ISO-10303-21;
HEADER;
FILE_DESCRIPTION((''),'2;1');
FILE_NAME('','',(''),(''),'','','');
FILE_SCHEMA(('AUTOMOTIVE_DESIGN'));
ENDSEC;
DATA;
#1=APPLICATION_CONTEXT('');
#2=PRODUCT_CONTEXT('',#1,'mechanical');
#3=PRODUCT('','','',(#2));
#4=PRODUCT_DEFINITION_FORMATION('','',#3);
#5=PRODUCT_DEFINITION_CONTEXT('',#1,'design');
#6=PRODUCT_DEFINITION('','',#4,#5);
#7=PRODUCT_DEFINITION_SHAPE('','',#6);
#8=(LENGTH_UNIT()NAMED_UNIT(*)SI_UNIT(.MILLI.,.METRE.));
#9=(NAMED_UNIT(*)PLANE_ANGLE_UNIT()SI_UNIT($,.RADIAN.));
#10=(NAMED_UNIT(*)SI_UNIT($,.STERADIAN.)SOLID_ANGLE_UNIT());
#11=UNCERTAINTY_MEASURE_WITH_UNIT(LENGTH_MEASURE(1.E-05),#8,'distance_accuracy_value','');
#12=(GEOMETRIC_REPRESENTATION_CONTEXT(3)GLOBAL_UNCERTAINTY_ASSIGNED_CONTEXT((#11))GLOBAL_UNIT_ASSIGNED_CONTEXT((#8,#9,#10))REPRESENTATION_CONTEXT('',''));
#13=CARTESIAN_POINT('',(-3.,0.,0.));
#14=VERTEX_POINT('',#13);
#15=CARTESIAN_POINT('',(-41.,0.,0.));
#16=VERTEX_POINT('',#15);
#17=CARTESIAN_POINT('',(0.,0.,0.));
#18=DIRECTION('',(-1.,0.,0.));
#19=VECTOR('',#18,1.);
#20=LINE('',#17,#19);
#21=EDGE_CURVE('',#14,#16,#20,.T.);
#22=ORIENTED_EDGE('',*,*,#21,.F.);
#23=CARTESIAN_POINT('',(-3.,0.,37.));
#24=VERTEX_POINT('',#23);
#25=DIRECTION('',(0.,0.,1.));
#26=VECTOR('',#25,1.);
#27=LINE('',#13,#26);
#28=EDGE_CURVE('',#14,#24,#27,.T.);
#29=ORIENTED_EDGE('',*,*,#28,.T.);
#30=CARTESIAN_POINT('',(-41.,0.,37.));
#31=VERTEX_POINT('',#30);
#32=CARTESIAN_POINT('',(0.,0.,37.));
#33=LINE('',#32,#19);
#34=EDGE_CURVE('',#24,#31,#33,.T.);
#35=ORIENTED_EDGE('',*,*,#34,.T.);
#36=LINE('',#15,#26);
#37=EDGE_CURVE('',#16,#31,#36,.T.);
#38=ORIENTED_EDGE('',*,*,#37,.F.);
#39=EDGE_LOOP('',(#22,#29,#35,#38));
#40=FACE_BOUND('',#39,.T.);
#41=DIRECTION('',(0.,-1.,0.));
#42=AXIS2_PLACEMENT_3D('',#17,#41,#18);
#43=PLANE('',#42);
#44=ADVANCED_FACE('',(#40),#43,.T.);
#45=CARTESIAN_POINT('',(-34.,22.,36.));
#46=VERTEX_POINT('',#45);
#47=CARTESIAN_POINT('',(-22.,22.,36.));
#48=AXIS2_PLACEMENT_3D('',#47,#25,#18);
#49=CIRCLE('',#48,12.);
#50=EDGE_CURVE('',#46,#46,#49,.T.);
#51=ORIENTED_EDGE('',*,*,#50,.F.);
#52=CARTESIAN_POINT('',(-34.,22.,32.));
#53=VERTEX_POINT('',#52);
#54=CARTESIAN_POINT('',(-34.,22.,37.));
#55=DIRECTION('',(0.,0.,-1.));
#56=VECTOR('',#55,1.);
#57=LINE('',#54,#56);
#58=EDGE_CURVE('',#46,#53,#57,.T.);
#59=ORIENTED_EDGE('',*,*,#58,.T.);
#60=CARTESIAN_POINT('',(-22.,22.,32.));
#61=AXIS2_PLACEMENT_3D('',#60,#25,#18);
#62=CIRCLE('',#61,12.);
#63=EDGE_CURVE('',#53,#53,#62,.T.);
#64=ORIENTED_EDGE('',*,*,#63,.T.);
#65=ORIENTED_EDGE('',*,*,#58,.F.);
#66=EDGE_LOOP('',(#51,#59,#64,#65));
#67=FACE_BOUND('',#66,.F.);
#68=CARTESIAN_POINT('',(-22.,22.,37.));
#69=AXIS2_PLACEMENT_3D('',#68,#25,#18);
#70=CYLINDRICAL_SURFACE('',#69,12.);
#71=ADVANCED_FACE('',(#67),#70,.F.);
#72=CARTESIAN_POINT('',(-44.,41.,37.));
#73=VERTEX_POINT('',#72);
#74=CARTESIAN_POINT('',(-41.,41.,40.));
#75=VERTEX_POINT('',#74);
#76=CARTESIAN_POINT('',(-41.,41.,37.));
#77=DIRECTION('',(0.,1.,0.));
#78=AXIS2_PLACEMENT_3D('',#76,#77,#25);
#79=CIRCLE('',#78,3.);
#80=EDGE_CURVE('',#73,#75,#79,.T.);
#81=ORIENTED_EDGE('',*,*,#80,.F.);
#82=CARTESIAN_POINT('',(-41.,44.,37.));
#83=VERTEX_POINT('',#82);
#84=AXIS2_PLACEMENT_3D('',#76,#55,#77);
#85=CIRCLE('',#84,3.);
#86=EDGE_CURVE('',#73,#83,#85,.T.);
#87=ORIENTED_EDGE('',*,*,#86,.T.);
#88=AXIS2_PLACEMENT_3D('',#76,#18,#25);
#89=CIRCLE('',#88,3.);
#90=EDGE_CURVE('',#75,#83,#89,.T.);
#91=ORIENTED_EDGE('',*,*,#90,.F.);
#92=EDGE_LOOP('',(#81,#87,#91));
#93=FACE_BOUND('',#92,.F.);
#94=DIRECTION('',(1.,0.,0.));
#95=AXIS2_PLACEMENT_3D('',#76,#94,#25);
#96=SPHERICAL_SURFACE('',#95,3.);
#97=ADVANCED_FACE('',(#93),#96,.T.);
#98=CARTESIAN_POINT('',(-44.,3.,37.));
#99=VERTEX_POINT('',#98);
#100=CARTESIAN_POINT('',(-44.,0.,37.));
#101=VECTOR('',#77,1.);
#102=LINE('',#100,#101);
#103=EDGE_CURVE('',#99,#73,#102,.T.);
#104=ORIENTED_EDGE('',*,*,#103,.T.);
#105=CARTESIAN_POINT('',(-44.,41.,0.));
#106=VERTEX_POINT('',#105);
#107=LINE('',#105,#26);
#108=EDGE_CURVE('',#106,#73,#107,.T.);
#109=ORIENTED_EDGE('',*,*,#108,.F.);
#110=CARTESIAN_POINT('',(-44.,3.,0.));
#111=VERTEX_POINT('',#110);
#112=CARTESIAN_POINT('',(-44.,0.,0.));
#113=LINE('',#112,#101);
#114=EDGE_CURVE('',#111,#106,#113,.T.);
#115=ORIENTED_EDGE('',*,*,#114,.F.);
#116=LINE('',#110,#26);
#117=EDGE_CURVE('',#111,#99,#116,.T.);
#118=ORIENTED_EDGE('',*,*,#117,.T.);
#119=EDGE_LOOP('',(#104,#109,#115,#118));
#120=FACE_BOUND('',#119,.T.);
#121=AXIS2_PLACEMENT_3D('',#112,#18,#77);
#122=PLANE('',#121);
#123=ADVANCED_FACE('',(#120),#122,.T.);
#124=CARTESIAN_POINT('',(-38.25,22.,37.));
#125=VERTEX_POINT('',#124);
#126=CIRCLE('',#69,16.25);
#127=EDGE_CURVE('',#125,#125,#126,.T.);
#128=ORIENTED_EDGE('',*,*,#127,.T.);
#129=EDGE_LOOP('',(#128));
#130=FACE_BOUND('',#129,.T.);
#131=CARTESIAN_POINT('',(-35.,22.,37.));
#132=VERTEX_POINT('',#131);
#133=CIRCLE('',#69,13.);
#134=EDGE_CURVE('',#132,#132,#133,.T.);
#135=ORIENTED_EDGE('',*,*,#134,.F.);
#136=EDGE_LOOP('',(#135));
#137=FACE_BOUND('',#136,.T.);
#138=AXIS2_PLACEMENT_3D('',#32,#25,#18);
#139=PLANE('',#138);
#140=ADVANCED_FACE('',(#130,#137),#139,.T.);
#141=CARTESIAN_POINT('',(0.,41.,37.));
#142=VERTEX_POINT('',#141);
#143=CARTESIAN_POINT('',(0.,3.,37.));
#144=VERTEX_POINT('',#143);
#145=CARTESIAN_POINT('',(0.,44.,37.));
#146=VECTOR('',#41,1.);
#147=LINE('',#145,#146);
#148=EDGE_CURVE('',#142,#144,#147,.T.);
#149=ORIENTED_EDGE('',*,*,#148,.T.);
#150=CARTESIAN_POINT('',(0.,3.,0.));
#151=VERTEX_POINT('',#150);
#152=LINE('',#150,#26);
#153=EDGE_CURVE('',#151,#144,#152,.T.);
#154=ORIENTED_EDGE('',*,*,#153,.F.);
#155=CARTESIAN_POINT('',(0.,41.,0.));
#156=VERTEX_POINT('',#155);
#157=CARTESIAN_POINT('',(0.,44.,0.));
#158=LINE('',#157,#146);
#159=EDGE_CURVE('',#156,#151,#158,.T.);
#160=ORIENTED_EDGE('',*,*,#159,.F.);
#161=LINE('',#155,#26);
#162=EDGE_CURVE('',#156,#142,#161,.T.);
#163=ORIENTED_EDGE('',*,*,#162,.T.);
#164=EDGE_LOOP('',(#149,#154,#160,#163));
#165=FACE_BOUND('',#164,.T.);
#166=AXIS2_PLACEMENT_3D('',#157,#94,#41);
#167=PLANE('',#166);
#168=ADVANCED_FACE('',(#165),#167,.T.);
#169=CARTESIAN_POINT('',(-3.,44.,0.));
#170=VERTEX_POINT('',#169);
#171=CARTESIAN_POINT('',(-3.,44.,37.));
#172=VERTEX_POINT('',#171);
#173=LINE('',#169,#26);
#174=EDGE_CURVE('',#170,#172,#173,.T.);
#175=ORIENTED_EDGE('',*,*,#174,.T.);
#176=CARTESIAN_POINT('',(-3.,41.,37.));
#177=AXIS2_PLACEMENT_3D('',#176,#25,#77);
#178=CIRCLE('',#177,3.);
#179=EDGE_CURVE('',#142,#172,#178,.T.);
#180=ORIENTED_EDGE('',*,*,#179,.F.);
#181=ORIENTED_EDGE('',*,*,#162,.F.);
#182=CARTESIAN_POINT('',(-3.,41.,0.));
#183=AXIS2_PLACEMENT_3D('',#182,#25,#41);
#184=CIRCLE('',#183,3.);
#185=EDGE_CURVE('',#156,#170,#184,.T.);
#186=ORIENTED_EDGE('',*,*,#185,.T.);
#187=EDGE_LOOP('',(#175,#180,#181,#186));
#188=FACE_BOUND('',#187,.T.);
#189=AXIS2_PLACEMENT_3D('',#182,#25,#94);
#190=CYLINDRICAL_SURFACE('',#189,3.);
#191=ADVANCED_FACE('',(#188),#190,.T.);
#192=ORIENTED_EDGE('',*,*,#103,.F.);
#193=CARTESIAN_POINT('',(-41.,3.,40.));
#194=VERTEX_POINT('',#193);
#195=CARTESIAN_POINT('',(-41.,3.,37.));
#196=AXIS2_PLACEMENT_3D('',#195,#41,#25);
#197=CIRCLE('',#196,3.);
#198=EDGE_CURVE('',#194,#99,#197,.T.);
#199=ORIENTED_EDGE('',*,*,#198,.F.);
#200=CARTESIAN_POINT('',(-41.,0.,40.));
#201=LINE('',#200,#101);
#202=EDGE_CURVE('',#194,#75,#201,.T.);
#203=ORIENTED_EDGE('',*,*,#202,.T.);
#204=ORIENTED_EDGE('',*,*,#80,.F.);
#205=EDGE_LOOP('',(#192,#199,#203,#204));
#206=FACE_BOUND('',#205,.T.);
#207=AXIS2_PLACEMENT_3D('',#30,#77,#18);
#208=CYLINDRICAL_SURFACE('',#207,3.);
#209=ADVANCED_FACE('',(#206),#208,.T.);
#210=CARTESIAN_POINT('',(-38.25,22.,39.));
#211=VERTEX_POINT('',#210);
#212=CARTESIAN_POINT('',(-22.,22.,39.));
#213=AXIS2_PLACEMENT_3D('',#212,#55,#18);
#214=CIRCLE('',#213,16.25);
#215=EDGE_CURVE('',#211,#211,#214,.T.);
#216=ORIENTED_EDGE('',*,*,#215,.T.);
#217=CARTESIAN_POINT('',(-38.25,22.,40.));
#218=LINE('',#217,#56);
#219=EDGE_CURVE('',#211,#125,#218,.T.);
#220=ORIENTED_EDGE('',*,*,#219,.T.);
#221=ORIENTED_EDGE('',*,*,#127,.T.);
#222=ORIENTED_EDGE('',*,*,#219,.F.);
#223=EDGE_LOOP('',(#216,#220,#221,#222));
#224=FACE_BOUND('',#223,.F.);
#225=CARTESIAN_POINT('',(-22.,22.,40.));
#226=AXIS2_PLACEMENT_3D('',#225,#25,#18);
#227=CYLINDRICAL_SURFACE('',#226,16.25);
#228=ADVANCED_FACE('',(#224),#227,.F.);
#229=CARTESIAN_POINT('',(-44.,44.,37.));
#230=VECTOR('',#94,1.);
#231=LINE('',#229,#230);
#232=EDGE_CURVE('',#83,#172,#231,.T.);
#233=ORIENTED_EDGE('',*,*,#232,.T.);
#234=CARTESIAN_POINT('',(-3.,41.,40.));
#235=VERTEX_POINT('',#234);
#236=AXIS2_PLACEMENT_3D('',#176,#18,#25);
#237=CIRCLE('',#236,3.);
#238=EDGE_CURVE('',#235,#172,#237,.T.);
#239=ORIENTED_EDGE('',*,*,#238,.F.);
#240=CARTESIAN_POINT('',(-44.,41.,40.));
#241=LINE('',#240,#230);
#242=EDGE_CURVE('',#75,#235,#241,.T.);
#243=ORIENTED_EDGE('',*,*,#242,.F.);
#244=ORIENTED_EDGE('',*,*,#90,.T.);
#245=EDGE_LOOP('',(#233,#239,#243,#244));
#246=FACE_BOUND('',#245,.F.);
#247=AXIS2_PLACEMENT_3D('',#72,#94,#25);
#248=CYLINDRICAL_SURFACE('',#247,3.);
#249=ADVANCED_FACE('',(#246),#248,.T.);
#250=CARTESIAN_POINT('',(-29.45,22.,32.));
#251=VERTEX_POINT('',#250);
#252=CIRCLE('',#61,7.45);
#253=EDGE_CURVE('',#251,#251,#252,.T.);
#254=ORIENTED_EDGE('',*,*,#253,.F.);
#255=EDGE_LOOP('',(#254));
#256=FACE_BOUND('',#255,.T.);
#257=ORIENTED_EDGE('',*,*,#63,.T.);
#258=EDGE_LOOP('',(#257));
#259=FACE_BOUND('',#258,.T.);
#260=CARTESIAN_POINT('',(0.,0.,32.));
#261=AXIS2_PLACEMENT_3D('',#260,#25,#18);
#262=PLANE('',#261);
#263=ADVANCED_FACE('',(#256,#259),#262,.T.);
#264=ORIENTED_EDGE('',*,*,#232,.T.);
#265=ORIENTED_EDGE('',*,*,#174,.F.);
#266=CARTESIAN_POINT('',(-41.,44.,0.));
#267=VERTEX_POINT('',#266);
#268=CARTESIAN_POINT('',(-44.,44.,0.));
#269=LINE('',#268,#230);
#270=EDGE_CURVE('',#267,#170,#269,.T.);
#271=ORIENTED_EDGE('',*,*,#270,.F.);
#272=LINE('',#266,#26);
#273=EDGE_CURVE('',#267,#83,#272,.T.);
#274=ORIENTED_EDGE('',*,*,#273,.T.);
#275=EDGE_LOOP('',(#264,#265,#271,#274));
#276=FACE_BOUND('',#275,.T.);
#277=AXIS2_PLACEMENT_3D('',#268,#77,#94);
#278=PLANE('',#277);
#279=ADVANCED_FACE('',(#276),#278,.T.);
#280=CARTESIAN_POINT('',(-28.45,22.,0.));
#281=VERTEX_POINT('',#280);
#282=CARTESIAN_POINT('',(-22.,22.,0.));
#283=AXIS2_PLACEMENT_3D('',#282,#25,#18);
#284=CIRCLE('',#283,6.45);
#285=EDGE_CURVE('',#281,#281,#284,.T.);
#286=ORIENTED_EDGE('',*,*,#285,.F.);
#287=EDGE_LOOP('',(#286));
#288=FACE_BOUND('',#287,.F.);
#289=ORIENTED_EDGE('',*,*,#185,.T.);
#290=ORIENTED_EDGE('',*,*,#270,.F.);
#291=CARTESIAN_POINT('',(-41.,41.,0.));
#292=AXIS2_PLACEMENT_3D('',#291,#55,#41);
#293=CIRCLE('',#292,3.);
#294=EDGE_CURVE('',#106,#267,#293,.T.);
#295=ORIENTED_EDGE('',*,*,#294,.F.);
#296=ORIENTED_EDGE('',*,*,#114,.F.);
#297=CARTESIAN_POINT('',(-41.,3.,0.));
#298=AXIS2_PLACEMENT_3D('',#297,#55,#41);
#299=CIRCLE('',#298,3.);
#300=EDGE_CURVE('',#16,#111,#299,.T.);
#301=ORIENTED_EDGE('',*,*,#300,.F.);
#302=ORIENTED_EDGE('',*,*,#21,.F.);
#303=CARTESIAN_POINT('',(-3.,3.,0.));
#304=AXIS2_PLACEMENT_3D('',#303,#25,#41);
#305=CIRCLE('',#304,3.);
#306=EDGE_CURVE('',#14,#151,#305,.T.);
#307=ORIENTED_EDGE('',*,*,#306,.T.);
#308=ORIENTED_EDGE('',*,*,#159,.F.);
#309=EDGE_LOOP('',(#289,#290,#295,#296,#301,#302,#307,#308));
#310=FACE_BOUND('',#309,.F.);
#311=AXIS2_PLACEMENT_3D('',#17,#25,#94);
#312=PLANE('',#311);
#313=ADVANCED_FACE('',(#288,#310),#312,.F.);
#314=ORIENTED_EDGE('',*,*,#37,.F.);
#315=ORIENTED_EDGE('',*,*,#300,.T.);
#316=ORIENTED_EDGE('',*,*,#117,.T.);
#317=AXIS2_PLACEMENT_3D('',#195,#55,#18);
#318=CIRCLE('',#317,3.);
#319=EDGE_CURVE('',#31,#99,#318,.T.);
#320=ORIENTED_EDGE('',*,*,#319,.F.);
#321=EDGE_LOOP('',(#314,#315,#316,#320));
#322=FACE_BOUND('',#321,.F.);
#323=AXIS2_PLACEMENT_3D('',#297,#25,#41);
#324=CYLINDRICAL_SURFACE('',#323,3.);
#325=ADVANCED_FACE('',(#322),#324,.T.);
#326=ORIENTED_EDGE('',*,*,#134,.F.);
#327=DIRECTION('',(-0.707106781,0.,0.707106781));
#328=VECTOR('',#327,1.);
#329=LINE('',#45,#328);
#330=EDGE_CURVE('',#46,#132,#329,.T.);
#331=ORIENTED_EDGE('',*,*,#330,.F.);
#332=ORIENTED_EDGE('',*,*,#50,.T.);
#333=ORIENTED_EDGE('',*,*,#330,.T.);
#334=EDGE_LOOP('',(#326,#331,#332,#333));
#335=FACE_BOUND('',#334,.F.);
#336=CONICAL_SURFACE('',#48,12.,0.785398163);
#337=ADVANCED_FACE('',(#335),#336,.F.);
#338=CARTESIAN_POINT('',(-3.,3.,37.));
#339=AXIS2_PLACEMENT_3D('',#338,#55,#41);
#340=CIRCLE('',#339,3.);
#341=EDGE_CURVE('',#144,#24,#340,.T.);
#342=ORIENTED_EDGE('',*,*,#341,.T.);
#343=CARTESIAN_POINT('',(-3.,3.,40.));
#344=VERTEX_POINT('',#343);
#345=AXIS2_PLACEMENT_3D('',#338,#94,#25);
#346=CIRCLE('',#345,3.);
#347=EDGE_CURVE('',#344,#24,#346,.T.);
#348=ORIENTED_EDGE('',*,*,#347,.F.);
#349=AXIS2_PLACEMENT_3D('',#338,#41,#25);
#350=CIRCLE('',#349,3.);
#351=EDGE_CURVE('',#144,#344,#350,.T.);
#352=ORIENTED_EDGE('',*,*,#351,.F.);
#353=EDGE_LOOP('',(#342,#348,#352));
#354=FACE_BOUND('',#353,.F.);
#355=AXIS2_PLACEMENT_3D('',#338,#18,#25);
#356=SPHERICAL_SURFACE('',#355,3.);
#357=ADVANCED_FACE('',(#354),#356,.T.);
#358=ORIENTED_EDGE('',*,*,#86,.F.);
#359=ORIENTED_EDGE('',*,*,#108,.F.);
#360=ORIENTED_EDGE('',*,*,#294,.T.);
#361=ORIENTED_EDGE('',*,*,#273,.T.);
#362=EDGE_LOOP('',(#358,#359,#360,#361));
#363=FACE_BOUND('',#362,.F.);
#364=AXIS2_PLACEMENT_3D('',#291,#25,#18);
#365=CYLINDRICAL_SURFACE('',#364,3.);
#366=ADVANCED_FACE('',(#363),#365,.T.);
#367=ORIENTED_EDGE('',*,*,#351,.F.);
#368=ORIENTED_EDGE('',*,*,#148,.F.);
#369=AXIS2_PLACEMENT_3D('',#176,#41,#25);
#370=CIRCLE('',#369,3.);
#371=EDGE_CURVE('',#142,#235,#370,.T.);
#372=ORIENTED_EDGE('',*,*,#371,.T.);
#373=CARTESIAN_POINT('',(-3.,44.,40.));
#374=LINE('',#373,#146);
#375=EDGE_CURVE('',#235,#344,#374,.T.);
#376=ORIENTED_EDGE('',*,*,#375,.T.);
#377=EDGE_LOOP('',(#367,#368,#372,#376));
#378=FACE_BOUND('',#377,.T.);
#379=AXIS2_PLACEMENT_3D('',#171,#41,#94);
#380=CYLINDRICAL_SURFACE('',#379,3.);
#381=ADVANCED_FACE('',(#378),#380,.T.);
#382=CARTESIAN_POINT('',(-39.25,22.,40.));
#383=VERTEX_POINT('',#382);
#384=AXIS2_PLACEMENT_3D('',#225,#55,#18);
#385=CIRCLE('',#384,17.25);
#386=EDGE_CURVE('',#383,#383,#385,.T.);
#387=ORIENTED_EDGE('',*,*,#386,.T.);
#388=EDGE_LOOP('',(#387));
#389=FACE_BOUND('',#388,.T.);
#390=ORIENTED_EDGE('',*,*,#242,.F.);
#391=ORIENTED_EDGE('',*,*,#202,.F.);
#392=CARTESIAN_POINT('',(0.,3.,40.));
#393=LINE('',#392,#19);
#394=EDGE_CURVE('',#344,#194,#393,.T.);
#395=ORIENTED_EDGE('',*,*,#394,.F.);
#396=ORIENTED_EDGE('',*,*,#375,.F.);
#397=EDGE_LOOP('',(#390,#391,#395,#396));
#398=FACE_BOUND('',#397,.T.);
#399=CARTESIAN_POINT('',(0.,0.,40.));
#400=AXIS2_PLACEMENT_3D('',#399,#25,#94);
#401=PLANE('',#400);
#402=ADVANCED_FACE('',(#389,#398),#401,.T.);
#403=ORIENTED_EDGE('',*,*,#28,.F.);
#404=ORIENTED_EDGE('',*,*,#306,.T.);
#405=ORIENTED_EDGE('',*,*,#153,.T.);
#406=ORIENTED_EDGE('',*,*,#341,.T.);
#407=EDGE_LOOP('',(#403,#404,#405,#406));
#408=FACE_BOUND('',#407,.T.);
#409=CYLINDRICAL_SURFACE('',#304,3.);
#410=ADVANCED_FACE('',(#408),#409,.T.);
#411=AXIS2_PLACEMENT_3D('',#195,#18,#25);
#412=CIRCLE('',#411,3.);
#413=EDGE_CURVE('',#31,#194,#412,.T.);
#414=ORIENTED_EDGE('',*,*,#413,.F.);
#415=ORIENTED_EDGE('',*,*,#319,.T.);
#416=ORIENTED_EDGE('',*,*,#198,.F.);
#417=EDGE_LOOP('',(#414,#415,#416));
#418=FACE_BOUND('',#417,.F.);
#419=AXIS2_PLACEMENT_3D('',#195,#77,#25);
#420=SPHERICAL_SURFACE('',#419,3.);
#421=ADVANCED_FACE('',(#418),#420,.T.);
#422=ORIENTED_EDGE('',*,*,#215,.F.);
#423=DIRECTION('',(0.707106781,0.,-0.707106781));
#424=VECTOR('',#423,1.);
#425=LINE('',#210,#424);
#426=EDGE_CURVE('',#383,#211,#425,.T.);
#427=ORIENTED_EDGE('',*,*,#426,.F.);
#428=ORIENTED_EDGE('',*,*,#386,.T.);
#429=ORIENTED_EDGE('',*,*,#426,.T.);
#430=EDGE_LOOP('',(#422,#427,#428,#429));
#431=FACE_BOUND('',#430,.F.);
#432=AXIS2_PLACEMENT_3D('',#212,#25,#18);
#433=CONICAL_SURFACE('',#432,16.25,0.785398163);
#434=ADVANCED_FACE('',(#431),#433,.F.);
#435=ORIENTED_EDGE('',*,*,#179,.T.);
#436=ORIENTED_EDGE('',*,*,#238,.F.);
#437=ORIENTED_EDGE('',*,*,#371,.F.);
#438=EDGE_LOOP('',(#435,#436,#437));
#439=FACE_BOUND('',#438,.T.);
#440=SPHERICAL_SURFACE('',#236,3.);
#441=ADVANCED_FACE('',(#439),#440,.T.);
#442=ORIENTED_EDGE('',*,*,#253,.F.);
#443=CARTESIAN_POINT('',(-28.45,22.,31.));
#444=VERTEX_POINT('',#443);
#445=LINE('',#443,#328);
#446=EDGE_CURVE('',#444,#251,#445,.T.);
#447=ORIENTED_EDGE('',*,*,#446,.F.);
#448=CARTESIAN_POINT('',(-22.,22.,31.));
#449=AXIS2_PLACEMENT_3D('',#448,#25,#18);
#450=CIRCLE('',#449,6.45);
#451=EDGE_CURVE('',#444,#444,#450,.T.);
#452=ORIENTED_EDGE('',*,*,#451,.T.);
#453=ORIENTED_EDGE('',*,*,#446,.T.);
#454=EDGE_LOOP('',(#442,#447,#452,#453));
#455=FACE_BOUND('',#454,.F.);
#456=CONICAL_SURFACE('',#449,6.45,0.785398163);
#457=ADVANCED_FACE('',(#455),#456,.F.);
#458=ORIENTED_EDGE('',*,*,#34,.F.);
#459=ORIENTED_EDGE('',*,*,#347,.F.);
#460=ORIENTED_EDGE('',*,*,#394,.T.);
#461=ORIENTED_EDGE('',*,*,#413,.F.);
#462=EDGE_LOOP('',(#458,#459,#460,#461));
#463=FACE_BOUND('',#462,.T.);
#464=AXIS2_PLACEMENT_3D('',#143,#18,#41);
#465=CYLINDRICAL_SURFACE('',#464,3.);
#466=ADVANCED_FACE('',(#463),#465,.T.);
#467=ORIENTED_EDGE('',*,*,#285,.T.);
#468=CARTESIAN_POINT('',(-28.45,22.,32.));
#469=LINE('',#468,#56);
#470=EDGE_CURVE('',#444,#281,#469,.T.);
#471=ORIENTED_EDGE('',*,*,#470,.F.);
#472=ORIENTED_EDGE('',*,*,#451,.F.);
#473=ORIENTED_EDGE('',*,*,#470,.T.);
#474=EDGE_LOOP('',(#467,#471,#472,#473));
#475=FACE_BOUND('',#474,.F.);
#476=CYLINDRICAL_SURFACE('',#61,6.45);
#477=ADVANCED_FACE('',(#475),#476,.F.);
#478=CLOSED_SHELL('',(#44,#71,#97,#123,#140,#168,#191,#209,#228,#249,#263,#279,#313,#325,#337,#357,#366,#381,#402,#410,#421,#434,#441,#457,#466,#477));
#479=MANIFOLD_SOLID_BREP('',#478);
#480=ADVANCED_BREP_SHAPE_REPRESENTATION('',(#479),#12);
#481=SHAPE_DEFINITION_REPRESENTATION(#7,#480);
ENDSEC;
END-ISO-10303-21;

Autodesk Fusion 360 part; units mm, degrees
sketch "Sketch1" plane through (0, 0, 0) normal (0, 0, 1) x (1, 0, 0)
  line L0 (0, 0) -> (-44, 0)
  line L1 (-44, 0) -> (-44, 44)
  line L2 (-44, 44) -> (0, 44)
  line L3 (0, 44) -> (0, 0)
  dimension "d1" = 44
  dimension "d2" = 44
extrude "Extrude1" add sketch "Sketch1" along normal blind 40
sketch "Sketch2" plane through (0, 0, 40) normal (0, 0, 1) x (-1, 0, 0)
  line L0 (0, -44) -> (44, -44)
  line L1 (44, -44) -> (44, 0)
  line L2 (44, 0) -> (0, 0)
  line L3 (0, 0) -> (0, -44)
  line L4 (44, -44) -> (0, 0)
  line L5 (0, -44) -> (44, 0)
  circle A0 centre (22, -22) radius 16.25
  dimension "d5" = 32.5
extrude "Extrude2" cut sketch "Sketch2" against normal blind 3 contours L4 L5 A0 | L4 L5 A0 | L4 L5 A0 | L4 L5 A0
sketch "Sketch3" plane through (0, 0, 37) normal (0, 0, 1) x (-1, 0, 0)
  circle A0 centre (22, -22) radius 16.25
  circle A1 centre (22, -22) radius 12
  dimension "d8" = 24
extrude "Extrude3" cut sketch "Sketch3" against normal blind 5 contours A1
sketch "Sketch4" plane through (0, 0, 32) normal (0, 0, 1) x (-1, 0, 0)
  circle A0 centre (22, -22) radius 12
  circle A1 centre (22, -22) radius 6.45
  dimension "d11" = 12.9
extrude "Extrude4" cut sketch "Sketch4" against normal blind 50 contours A1
fillet "Fillet1" radius 3 8 edges at (-22, 44, 40) (-44, 22, 40) (-22, 0, 40) (0, 22, 40) (0, 0, 20) (-44, 0, 20) (0, 44, 20) (-44, 44, 20)
chamfer "Chamfer1" distance 1 angle 45 3 edges at (-10.8121, 17.6606, 37) (-15.9865, 19.6676, 32) (-6.8497, 16.1237, 40)
